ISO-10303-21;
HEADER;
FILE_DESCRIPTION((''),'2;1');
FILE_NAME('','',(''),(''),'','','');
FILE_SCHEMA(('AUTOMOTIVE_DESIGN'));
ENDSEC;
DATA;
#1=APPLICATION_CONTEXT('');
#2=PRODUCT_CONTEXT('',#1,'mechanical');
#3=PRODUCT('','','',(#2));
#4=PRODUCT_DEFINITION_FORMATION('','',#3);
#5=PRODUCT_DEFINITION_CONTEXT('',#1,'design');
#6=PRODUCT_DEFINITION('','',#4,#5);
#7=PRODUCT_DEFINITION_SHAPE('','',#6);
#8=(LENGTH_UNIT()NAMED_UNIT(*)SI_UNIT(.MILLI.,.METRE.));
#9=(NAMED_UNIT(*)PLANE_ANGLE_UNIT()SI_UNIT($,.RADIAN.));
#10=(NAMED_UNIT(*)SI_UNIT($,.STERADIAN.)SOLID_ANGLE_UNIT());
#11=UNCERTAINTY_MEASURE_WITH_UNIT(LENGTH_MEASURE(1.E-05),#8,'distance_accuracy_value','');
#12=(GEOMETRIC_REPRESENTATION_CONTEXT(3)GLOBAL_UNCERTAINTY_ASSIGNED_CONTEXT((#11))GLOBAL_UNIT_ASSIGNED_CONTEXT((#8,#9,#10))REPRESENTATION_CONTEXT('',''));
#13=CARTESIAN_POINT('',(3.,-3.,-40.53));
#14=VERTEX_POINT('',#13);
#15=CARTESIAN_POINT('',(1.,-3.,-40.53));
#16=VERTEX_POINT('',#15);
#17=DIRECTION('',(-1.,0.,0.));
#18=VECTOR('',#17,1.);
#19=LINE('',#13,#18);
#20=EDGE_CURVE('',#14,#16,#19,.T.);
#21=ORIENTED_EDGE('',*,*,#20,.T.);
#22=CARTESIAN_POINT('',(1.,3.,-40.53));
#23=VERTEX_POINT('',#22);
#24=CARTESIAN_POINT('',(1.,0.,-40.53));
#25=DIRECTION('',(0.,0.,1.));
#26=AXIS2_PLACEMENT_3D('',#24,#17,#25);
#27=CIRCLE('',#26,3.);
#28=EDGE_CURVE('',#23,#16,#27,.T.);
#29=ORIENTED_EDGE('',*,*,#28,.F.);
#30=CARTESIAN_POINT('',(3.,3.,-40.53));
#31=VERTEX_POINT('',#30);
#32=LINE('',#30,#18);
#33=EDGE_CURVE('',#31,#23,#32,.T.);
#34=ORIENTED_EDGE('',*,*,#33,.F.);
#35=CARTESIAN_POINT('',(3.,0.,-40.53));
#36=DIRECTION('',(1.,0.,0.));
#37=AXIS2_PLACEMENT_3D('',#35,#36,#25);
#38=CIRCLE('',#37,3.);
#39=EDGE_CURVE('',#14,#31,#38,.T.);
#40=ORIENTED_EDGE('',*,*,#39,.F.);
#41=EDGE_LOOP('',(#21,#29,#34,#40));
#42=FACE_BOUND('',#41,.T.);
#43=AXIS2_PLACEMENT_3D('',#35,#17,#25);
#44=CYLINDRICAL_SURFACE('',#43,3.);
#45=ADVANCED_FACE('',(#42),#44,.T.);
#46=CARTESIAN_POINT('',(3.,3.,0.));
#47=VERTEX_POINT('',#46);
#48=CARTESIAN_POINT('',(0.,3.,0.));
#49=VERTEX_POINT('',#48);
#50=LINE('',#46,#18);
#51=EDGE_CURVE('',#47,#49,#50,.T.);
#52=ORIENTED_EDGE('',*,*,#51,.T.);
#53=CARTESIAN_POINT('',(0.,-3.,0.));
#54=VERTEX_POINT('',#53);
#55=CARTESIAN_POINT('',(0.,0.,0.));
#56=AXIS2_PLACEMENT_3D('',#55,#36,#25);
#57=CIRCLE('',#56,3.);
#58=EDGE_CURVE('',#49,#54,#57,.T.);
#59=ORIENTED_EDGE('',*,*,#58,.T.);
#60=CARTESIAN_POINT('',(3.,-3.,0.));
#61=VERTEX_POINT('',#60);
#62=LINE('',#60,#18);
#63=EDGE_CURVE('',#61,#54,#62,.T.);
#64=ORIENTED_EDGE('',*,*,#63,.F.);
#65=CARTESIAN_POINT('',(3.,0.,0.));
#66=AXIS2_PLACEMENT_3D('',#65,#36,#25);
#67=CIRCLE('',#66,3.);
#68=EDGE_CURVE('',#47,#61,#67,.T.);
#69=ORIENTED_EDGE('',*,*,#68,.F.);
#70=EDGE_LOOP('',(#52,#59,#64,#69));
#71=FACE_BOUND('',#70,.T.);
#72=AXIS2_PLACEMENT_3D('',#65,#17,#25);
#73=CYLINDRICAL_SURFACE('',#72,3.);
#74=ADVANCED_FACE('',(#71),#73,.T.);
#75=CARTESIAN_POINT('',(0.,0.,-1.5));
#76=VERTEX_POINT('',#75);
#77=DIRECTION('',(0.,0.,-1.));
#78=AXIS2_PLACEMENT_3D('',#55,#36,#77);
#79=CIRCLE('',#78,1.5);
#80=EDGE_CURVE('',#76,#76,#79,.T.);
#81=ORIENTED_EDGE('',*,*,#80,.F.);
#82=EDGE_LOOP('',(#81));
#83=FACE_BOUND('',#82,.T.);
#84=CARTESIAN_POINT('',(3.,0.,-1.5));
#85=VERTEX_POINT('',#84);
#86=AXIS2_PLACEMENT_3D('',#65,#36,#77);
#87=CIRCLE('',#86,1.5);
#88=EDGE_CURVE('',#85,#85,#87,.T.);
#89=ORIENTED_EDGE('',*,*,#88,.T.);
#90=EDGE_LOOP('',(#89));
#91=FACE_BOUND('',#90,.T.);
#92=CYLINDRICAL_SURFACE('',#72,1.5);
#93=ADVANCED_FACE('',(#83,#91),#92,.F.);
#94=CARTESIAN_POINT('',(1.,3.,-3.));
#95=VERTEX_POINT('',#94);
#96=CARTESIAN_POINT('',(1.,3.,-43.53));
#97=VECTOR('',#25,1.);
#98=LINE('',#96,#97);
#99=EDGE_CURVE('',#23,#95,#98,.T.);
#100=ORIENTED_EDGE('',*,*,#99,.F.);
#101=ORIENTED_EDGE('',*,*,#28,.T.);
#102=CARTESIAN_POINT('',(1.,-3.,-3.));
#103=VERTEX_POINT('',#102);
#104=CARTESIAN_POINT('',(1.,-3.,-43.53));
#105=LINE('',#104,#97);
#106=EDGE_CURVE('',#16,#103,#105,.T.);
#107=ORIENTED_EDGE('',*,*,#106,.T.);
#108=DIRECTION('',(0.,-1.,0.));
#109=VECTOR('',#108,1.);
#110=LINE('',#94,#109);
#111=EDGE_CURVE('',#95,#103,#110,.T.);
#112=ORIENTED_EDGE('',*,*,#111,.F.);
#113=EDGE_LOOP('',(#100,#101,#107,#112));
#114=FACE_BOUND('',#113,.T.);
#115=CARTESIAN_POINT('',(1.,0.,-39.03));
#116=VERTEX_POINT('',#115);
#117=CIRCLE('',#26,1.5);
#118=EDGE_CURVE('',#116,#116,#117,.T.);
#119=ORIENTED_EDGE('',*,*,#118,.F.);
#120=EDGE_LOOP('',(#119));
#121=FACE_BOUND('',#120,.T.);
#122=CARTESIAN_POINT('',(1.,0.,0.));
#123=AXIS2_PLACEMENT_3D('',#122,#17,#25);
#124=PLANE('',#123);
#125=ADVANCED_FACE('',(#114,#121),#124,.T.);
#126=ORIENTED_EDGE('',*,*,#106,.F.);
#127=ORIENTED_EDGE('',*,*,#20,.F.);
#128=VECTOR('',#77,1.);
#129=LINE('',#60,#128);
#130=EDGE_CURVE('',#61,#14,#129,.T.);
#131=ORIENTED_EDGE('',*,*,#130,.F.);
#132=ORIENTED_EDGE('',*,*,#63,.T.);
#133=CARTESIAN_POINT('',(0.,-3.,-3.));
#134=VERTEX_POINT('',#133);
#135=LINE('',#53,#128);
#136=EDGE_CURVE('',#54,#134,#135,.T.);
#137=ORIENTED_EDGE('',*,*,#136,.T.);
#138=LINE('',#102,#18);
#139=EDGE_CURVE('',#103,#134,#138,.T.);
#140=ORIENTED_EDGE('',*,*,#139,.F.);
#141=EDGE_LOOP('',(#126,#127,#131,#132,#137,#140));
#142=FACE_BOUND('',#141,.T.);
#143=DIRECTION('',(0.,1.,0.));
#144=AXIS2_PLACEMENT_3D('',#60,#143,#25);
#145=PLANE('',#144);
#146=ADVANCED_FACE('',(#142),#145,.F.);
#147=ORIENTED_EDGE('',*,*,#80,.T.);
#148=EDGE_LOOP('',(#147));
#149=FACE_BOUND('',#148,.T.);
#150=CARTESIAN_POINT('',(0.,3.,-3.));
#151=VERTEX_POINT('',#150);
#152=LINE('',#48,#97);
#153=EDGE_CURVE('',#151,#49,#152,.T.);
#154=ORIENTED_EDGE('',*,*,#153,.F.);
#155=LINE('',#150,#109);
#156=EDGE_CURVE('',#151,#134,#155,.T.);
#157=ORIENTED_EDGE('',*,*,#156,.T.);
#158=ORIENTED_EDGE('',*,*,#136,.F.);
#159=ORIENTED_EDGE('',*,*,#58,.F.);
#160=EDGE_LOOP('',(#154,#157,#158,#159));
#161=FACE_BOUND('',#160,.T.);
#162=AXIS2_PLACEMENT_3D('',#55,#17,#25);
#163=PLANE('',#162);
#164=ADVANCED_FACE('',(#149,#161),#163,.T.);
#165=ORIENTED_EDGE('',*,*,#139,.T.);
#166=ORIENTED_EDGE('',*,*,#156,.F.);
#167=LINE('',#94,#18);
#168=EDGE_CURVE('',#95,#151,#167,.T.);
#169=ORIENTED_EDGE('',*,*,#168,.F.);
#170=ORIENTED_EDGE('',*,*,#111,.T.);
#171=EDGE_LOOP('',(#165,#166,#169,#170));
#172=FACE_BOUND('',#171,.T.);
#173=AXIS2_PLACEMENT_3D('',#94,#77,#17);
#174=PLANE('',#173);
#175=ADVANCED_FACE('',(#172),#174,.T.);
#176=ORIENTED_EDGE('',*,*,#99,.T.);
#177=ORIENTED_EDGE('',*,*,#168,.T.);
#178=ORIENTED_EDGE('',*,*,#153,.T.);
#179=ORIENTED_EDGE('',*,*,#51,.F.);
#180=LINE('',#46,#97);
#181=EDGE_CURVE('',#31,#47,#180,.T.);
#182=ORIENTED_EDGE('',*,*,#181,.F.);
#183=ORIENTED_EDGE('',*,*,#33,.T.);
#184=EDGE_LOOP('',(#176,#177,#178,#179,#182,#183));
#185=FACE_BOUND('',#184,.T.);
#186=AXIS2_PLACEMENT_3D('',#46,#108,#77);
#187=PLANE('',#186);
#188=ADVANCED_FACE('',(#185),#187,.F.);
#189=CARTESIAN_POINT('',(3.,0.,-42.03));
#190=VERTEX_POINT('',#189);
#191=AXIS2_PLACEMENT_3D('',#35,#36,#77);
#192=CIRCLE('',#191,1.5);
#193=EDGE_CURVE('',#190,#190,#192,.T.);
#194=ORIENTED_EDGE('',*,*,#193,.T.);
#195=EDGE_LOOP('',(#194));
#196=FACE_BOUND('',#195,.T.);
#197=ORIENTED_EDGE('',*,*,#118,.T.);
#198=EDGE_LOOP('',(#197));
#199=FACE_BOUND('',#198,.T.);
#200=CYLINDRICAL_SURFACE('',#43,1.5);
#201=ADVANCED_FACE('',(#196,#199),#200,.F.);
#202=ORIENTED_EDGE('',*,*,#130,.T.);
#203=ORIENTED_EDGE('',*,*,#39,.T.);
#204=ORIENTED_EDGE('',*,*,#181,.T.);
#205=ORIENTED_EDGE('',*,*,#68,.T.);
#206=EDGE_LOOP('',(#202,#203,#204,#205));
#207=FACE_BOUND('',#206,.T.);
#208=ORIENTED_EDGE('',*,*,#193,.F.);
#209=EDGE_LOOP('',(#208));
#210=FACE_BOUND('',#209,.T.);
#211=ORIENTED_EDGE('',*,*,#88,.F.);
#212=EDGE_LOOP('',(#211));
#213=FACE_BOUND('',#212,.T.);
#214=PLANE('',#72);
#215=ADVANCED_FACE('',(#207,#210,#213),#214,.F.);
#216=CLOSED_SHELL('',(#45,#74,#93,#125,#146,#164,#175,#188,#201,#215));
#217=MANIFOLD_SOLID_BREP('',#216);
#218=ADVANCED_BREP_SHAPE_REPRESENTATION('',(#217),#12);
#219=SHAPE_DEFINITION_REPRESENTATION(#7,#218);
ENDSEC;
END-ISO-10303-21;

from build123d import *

# Parameters (mm, degrees)
SKETCH1_R           = 1.5
BOSS_EXTRUDE1_DEPTH = 3
SKETCH2_W           = 40.53
SKETCH2_H           = 6
CUT_EXTRUDE1_DEPTH  = 1


with BuildPart() as part:
    # Sketch1 → Boss-Extrude1 (new body)
    with BuildSketch(Plane(origin=(0, 0, 0), x_dir=(0, 0, -1), z_dir=(1, 0, 0))):
        with BuildLine():
            Line((0, -3), (40.53, -3))
            ThreePointArc((40.53, -3), (43.53, 0), (40.53, 3))
            Line((40.53, 3), (0, 3))
            ThreePointArc((0, 3), (-3, 0), (0, -3))
        make_face()
        Circle(SKETCH1_R, mode=Mode.SUBTRACT)
        with Locations((40.53, 0)):
            Circle(SKETCH1_R, mode=Mode.SUBTRACT)
    extrude(amount=BOSS_EXTRUDE1_DEPTH)

    # Sketch2 → Cut-Extrude1 (cut)
    with BuildSketch(Plane.ZY):
        with Locations((-23.265, 0)):
            Rectangle(SKETCH2_W, SKETCH2_H)
    extrude(amount=-CUT_EXTRUDE1_DEPTH, mode=Mode.SUBTRACT)


solid = part.part
